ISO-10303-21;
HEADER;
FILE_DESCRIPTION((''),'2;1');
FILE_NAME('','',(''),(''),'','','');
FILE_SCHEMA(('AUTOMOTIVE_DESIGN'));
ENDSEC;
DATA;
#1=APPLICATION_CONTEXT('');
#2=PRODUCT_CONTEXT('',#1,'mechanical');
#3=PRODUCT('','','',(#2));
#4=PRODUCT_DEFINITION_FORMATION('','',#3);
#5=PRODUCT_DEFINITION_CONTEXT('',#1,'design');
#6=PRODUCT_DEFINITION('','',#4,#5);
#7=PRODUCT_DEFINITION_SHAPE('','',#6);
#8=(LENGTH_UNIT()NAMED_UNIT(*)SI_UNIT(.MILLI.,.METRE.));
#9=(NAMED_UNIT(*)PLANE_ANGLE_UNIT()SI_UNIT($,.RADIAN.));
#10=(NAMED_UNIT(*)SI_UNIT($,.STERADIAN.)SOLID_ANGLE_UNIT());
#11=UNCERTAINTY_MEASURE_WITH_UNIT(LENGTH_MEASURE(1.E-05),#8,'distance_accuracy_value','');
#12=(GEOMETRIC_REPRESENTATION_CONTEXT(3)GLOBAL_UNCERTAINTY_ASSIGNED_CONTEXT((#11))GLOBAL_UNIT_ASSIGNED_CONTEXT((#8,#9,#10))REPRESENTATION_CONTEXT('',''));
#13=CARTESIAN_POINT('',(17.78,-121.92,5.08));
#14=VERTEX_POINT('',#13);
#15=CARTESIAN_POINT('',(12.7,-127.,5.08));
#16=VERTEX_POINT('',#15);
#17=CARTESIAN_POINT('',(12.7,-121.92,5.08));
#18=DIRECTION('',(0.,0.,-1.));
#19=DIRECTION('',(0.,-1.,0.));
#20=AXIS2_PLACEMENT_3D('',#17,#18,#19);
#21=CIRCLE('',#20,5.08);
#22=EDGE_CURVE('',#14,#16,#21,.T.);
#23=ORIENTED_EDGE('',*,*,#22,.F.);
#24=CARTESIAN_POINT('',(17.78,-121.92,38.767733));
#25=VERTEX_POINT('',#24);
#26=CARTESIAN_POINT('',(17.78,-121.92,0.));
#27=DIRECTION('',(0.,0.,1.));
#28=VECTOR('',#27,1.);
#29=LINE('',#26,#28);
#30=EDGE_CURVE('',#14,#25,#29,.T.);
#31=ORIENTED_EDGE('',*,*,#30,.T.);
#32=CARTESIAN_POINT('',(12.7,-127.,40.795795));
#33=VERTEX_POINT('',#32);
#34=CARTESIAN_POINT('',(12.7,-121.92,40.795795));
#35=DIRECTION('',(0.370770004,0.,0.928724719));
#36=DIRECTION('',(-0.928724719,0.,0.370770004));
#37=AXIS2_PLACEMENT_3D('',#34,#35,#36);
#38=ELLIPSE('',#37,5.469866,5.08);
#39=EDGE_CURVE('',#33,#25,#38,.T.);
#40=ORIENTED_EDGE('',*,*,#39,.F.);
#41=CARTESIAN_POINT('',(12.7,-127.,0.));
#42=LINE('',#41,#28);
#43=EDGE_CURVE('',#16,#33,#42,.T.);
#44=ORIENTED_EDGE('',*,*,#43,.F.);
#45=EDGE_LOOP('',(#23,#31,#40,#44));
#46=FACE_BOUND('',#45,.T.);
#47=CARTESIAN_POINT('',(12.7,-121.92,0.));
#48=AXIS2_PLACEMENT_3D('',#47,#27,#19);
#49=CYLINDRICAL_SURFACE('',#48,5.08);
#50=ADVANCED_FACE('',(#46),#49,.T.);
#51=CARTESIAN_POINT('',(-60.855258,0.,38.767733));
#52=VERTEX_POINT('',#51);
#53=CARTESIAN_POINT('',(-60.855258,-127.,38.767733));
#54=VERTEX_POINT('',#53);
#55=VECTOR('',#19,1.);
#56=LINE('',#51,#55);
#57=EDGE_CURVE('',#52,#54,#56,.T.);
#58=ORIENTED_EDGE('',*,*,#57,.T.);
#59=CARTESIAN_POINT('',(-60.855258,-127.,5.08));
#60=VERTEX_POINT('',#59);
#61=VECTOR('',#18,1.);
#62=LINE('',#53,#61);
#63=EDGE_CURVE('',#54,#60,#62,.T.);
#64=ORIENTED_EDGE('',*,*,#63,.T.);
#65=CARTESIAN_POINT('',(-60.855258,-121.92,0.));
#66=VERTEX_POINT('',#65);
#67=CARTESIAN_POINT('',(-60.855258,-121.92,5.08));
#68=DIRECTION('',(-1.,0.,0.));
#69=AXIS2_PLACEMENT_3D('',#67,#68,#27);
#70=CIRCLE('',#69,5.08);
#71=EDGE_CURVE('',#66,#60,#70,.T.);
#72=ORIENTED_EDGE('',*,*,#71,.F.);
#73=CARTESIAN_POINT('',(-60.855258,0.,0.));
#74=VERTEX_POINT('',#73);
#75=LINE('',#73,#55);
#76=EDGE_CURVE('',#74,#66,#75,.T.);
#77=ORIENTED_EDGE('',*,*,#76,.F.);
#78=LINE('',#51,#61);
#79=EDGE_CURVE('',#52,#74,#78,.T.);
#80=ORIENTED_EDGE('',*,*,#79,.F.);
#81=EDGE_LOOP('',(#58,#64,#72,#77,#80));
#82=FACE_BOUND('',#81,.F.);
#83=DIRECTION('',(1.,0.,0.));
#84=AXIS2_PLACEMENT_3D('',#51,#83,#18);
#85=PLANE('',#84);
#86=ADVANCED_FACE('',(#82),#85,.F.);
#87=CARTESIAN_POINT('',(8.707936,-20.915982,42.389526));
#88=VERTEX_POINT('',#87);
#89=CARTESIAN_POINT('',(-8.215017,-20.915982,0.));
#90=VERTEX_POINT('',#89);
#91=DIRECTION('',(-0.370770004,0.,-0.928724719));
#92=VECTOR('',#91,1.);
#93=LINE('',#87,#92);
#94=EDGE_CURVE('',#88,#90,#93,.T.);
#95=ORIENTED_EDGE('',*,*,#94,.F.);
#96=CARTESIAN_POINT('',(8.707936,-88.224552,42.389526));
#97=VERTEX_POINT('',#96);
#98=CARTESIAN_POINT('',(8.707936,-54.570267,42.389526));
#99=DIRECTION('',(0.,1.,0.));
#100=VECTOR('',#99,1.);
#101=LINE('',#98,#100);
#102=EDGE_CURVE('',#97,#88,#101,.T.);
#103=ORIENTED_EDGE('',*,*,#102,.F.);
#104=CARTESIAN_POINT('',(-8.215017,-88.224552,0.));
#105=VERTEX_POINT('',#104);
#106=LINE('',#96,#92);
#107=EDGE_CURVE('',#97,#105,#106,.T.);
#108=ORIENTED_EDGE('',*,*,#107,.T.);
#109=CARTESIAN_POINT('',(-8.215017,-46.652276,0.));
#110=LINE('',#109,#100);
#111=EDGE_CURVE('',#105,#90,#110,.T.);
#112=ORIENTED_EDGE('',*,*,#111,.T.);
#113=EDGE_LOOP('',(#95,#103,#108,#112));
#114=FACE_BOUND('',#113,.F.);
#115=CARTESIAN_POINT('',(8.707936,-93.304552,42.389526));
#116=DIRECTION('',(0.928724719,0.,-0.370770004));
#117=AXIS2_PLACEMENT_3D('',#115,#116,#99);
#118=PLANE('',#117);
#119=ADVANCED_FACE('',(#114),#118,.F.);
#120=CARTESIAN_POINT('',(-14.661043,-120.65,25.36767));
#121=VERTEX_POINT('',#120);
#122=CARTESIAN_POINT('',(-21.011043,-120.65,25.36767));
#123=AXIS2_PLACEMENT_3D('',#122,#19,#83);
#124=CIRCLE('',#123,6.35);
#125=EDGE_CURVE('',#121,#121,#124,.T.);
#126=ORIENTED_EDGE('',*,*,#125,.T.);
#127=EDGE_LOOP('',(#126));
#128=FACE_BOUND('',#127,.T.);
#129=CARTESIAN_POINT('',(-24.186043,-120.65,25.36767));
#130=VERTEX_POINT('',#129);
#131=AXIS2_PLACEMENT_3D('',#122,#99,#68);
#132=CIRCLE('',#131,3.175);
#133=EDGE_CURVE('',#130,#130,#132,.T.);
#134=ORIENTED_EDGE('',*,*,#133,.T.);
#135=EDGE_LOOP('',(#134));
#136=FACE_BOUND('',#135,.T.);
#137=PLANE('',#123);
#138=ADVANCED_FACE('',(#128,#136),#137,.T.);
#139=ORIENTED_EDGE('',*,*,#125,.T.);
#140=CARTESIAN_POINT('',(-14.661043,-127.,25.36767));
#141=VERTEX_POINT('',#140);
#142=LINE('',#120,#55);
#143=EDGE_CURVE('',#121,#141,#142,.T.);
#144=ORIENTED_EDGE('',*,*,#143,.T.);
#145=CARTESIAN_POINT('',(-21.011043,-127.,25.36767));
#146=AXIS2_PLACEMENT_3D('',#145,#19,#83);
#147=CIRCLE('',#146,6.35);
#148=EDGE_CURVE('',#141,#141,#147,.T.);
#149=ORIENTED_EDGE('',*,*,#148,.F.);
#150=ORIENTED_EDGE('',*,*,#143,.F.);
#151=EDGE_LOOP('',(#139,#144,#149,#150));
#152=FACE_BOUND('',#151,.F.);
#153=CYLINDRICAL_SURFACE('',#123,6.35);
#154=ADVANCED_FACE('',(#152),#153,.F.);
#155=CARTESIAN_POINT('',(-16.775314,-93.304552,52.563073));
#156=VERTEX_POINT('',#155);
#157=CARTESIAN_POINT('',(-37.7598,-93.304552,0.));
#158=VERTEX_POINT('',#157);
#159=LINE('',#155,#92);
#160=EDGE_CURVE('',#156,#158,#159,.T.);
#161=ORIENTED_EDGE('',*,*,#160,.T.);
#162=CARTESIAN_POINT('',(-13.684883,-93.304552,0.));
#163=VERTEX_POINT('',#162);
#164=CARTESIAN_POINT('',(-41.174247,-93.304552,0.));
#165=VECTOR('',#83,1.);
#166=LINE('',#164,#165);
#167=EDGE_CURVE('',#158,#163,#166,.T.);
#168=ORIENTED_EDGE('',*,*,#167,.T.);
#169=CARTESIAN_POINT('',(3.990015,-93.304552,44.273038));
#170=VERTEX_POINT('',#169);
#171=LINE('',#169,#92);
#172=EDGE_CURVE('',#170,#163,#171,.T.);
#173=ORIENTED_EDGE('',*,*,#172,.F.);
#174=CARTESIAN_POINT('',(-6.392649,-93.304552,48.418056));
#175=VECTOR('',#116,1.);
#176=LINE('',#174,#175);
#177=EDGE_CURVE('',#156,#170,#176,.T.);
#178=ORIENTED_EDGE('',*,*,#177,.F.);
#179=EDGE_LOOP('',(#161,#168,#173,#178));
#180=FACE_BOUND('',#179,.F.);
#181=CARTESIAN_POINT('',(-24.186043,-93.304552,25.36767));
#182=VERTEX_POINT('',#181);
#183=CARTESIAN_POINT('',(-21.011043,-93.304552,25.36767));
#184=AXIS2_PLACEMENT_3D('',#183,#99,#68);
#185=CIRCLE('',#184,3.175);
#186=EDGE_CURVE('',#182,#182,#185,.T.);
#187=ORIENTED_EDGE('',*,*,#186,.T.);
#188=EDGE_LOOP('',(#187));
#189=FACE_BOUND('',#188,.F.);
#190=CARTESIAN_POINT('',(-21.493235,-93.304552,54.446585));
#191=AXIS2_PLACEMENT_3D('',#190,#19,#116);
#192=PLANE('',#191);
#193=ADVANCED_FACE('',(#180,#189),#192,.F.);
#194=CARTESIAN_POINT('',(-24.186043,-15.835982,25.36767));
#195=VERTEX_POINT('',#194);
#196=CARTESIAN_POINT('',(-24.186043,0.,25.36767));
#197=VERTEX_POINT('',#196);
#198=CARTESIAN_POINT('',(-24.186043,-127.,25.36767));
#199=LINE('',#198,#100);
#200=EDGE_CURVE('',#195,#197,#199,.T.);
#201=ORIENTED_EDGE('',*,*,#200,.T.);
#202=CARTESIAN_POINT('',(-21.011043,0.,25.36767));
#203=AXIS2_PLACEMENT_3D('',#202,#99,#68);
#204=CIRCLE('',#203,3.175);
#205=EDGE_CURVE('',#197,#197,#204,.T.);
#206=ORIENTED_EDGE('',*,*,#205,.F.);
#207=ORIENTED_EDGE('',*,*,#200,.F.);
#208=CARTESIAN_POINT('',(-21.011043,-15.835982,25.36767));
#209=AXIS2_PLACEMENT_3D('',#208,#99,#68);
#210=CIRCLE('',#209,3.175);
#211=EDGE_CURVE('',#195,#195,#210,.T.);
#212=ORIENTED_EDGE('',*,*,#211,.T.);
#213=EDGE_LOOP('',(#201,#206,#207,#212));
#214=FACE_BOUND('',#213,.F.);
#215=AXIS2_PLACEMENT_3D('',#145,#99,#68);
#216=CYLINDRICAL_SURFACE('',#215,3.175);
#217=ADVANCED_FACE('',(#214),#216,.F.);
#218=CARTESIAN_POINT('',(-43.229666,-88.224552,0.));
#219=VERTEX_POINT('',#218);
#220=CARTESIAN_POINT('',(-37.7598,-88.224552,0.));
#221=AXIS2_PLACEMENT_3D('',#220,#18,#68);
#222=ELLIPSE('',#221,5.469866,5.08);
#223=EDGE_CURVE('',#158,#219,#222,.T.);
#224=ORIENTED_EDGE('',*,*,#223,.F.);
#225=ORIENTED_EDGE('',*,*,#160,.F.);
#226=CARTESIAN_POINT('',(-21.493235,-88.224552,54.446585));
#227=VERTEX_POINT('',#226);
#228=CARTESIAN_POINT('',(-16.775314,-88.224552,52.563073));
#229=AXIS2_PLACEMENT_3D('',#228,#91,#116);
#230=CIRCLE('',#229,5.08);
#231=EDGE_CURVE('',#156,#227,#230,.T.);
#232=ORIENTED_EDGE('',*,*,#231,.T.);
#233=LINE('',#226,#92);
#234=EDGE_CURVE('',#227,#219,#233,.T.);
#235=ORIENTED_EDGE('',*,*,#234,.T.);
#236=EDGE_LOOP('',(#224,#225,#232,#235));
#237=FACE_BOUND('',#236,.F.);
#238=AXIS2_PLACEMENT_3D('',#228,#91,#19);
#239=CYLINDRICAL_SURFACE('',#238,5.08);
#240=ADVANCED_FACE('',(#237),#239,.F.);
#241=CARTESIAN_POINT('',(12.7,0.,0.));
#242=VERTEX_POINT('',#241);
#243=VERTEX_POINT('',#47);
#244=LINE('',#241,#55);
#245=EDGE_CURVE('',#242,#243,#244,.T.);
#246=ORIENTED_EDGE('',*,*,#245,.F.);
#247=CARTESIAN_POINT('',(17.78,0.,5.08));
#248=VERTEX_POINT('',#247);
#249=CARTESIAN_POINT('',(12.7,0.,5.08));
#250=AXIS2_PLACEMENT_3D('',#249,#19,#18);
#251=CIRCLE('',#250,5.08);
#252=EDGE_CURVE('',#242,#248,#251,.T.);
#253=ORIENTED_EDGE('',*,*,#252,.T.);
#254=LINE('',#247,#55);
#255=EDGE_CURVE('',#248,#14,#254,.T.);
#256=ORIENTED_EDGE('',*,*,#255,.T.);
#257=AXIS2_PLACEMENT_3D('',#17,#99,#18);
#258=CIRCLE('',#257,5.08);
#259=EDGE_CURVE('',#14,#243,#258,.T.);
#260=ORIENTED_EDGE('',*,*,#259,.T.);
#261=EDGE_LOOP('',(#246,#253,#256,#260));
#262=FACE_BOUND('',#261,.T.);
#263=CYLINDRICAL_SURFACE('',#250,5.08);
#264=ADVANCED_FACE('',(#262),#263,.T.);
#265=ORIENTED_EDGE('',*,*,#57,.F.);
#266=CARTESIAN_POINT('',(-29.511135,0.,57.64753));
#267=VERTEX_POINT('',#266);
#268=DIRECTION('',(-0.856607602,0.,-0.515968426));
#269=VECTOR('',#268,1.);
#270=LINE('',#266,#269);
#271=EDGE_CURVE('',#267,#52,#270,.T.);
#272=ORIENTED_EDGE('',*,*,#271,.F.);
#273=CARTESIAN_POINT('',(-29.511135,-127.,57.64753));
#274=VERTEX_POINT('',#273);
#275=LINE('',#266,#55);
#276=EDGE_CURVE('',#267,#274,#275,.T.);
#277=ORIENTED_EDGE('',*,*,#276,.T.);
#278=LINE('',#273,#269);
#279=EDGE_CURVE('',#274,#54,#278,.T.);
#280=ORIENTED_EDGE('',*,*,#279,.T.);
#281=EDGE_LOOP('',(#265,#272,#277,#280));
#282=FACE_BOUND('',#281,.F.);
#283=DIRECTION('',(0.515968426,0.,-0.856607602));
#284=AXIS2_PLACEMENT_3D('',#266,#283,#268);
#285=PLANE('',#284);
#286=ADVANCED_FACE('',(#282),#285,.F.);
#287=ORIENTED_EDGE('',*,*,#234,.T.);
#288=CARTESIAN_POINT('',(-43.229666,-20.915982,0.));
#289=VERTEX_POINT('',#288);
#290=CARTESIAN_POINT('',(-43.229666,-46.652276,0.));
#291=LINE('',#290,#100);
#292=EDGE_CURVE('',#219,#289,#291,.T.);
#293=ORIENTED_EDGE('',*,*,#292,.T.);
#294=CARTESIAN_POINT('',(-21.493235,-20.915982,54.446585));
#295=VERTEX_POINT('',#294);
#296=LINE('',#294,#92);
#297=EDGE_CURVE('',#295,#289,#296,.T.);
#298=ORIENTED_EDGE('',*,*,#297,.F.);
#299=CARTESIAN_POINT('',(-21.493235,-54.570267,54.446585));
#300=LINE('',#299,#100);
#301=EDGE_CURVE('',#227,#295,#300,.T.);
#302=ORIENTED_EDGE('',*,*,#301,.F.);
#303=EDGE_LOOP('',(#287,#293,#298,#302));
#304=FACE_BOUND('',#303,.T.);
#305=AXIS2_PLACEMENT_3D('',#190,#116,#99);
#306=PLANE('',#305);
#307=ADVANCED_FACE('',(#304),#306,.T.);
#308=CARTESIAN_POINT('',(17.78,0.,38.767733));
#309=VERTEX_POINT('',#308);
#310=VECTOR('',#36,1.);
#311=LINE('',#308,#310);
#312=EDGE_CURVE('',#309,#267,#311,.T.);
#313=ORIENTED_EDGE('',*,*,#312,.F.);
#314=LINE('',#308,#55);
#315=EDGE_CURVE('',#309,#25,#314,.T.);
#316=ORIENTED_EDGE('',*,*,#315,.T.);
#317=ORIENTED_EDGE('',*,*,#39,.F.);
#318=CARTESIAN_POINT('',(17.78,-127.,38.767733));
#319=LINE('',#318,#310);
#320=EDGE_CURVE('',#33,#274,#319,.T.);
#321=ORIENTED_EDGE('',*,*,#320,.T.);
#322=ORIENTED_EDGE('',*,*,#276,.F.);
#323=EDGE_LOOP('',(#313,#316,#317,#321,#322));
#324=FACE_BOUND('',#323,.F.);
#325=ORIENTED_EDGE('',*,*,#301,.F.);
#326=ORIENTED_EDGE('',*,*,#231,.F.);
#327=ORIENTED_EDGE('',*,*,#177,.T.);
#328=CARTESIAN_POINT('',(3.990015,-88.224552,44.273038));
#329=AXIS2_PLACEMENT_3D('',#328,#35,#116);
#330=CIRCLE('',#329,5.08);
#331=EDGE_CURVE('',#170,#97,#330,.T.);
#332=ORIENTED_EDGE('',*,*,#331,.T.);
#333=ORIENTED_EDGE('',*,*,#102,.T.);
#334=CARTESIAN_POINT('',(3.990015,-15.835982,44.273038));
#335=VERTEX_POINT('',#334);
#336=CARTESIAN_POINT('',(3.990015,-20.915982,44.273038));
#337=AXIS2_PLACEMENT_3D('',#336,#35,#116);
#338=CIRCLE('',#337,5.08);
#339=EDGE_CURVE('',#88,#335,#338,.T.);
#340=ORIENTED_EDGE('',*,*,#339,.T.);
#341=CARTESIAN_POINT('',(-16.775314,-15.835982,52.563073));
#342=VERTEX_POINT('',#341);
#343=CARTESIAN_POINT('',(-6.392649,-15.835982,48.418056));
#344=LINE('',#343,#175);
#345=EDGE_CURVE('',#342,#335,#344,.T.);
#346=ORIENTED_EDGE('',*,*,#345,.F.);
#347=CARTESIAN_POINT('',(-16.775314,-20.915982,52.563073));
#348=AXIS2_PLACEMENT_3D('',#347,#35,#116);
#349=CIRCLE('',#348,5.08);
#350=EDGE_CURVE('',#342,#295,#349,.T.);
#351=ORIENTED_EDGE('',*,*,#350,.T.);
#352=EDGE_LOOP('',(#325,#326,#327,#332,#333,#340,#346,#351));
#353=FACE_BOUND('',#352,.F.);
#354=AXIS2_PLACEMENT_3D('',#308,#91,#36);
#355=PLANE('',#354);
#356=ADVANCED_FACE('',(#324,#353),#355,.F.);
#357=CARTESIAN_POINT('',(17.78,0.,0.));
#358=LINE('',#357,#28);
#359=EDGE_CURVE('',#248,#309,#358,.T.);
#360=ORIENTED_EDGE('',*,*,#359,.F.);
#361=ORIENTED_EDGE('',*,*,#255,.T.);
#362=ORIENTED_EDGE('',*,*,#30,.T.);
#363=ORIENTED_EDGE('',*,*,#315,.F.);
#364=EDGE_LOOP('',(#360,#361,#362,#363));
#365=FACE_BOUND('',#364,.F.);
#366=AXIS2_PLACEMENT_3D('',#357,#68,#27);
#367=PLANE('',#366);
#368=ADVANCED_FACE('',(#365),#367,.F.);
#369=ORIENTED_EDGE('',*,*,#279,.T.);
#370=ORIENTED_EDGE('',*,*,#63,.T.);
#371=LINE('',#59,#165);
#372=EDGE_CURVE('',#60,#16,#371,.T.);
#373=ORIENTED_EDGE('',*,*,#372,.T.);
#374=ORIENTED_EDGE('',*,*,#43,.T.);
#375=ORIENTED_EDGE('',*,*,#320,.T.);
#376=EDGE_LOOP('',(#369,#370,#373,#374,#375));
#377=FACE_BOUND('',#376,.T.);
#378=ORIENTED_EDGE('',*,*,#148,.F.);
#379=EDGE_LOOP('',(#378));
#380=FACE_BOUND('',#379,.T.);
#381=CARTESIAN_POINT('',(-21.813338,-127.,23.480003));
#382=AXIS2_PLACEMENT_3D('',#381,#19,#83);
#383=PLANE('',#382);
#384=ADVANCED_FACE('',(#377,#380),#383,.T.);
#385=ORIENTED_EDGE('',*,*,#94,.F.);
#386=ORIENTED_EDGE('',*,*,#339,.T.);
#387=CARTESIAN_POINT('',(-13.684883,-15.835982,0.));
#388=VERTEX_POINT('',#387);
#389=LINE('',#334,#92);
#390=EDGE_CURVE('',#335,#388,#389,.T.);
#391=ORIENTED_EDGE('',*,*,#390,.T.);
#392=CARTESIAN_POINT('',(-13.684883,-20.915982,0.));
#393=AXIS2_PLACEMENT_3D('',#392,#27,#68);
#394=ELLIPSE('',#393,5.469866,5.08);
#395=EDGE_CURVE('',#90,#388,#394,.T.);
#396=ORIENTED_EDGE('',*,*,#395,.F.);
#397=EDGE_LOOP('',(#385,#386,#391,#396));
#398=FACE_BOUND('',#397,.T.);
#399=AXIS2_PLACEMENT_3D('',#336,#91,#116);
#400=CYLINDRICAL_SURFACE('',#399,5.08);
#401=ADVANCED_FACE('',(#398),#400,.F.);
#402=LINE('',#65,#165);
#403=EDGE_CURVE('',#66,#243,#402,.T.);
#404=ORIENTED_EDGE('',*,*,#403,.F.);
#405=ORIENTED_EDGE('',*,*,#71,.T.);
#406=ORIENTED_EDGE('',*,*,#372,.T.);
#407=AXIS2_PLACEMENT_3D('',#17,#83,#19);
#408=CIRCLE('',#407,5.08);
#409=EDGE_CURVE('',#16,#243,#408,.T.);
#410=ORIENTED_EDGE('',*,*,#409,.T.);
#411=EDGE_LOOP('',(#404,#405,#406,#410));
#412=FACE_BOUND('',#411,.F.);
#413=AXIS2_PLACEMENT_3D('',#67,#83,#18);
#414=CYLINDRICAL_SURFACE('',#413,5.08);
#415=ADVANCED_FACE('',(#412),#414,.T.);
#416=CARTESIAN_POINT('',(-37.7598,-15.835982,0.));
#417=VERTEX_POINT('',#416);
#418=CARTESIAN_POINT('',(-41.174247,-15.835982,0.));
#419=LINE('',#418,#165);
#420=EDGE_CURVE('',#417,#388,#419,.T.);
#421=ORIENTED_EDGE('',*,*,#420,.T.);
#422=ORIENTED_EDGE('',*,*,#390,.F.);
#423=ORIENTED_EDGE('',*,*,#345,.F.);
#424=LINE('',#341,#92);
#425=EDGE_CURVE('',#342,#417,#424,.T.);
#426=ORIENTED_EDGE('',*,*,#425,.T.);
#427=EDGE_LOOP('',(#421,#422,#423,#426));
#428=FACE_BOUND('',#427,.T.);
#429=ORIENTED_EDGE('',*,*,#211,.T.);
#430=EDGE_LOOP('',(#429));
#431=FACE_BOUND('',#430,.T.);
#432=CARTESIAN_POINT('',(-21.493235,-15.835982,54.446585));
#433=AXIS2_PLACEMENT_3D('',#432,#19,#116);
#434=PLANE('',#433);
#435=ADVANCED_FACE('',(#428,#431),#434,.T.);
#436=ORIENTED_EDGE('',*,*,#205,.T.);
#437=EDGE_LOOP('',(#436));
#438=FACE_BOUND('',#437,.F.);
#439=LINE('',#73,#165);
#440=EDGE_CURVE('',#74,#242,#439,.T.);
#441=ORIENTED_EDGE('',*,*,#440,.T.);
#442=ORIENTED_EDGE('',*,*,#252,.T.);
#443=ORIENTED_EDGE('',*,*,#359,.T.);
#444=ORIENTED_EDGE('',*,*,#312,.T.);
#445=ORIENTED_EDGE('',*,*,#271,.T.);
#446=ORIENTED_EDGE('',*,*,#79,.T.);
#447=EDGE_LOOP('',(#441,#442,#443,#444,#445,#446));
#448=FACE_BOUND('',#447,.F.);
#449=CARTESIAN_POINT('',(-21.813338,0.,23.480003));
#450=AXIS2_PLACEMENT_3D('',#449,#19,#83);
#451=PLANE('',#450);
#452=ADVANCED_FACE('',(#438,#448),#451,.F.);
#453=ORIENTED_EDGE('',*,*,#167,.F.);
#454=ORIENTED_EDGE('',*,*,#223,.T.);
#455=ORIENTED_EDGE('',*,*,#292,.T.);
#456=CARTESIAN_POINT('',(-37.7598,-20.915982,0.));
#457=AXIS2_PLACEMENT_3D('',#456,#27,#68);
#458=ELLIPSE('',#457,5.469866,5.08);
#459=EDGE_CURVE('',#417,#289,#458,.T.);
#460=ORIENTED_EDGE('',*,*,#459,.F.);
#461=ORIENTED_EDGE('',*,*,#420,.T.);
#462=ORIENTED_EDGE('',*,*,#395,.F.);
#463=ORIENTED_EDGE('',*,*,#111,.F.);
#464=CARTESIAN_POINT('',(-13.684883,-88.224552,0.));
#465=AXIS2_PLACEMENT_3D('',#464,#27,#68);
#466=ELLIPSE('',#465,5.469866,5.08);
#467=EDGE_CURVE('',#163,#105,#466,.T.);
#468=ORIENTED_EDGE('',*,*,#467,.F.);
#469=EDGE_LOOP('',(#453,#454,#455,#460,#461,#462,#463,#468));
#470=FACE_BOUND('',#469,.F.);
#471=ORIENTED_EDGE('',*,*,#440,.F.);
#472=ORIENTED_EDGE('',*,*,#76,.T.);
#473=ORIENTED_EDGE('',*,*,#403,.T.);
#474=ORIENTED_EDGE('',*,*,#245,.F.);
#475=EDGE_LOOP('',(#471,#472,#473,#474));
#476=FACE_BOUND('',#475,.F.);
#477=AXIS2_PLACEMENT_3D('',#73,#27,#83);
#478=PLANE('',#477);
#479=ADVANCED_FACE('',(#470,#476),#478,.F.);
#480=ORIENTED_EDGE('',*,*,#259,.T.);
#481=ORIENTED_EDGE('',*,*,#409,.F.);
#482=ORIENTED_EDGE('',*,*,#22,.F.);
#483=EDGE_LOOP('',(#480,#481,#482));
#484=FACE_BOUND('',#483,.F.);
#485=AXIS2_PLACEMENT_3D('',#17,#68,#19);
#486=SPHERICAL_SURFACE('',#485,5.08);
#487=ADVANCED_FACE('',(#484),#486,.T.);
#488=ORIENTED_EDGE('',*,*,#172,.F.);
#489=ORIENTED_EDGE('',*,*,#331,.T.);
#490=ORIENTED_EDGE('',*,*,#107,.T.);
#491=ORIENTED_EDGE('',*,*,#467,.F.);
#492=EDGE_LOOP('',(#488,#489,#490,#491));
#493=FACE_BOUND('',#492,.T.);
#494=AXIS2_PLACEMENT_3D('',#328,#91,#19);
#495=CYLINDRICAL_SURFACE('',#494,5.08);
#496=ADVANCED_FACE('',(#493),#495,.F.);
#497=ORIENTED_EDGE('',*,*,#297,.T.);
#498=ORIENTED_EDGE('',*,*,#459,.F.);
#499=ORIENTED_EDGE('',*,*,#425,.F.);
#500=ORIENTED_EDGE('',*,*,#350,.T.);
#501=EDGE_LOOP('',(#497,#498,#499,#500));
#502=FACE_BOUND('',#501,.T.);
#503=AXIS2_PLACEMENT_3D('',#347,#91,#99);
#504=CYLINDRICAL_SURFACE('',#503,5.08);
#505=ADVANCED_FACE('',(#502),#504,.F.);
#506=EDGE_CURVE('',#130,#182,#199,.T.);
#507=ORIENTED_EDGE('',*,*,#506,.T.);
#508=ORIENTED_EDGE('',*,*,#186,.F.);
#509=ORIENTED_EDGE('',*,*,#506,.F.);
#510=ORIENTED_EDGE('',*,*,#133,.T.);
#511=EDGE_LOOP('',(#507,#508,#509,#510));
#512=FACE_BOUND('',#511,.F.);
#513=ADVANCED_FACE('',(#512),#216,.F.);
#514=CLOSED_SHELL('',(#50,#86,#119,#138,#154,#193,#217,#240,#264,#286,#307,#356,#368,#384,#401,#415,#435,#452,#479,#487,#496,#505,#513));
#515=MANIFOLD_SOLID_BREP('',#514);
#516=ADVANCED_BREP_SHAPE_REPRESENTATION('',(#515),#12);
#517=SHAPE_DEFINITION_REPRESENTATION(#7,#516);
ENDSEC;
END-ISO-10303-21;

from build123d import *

# Parameters (mm, degrees)
F1_DEPTH       = 127
F3_D           = 6.35
F3_CBORE_D     = 12.7
F3_CBORE_DEPTH = 6.35
F4_R           = 5.08
F5_W           = 32.5189703144
F5_H           = 77.4685703218
F6_DEPTH       = 65.1611467814
F7_R           = 5.08


with BuildPart() as f1:
    # F0 (on Front) → F1 (new body)
    with BuildSketch(Plane.XZ):
        Polygon((-60.8552582562, 38.7677326798), (-60.8552582562, 0), (17.7800003439, 0), (17.7800003439, 38.7677326798), (-29.5111350715, 57.6475299895), align=None)
    extrude(amount=F1_DEPTH)

    # F3 (through all)
    with Locations(Plane.XZ.offset(127)):
        with Locations((-21.01104334, 25.3676697612)):
            CounterBoreHole(F3_D / 2, F3_CBORE_D / 2, F3_CBORE_DEPTH)

    # F4
    f4_edges = [f1.edges().sort_by_distance(p)[0] for p in [
        (-21.537629, -127, 0),
        (17.78, -127, 19.383866),
        (17.78, -63.5, 0),
    ]]
    fillet(f4_edges, radius=F4_R)

    # F5 (on face) → F6 (cut, through all)
    with BuildSketch(Plane(origin=(15.7936314356, 0, 39.5607405457), x_dir=(0.9287247193, 0, -0.3707700038), z_dir=(0.3707700038, 0, 0.9287247193))):
        with Locations((-23.8889742177, -54.570266977)):
            Rectangle(F5_W, F5_H)
    extrude(amount=-F6_DEPTH, mode=Mode.SUBTRACT)

    # F7
    f7_edges = [f1.edges().sort_by_distance(p)[0] for p in [
        (-32.361451, -15.835982, 27.223292),
        (0.24646, -15.835982, 21.194763),
        (0.24646, -93.304552, 21.194763),
        (-32.361451, -93.304552, 27.223292),
    ]]
    fillet(f7_edges, radius=F7_R)


solid = f1.part
